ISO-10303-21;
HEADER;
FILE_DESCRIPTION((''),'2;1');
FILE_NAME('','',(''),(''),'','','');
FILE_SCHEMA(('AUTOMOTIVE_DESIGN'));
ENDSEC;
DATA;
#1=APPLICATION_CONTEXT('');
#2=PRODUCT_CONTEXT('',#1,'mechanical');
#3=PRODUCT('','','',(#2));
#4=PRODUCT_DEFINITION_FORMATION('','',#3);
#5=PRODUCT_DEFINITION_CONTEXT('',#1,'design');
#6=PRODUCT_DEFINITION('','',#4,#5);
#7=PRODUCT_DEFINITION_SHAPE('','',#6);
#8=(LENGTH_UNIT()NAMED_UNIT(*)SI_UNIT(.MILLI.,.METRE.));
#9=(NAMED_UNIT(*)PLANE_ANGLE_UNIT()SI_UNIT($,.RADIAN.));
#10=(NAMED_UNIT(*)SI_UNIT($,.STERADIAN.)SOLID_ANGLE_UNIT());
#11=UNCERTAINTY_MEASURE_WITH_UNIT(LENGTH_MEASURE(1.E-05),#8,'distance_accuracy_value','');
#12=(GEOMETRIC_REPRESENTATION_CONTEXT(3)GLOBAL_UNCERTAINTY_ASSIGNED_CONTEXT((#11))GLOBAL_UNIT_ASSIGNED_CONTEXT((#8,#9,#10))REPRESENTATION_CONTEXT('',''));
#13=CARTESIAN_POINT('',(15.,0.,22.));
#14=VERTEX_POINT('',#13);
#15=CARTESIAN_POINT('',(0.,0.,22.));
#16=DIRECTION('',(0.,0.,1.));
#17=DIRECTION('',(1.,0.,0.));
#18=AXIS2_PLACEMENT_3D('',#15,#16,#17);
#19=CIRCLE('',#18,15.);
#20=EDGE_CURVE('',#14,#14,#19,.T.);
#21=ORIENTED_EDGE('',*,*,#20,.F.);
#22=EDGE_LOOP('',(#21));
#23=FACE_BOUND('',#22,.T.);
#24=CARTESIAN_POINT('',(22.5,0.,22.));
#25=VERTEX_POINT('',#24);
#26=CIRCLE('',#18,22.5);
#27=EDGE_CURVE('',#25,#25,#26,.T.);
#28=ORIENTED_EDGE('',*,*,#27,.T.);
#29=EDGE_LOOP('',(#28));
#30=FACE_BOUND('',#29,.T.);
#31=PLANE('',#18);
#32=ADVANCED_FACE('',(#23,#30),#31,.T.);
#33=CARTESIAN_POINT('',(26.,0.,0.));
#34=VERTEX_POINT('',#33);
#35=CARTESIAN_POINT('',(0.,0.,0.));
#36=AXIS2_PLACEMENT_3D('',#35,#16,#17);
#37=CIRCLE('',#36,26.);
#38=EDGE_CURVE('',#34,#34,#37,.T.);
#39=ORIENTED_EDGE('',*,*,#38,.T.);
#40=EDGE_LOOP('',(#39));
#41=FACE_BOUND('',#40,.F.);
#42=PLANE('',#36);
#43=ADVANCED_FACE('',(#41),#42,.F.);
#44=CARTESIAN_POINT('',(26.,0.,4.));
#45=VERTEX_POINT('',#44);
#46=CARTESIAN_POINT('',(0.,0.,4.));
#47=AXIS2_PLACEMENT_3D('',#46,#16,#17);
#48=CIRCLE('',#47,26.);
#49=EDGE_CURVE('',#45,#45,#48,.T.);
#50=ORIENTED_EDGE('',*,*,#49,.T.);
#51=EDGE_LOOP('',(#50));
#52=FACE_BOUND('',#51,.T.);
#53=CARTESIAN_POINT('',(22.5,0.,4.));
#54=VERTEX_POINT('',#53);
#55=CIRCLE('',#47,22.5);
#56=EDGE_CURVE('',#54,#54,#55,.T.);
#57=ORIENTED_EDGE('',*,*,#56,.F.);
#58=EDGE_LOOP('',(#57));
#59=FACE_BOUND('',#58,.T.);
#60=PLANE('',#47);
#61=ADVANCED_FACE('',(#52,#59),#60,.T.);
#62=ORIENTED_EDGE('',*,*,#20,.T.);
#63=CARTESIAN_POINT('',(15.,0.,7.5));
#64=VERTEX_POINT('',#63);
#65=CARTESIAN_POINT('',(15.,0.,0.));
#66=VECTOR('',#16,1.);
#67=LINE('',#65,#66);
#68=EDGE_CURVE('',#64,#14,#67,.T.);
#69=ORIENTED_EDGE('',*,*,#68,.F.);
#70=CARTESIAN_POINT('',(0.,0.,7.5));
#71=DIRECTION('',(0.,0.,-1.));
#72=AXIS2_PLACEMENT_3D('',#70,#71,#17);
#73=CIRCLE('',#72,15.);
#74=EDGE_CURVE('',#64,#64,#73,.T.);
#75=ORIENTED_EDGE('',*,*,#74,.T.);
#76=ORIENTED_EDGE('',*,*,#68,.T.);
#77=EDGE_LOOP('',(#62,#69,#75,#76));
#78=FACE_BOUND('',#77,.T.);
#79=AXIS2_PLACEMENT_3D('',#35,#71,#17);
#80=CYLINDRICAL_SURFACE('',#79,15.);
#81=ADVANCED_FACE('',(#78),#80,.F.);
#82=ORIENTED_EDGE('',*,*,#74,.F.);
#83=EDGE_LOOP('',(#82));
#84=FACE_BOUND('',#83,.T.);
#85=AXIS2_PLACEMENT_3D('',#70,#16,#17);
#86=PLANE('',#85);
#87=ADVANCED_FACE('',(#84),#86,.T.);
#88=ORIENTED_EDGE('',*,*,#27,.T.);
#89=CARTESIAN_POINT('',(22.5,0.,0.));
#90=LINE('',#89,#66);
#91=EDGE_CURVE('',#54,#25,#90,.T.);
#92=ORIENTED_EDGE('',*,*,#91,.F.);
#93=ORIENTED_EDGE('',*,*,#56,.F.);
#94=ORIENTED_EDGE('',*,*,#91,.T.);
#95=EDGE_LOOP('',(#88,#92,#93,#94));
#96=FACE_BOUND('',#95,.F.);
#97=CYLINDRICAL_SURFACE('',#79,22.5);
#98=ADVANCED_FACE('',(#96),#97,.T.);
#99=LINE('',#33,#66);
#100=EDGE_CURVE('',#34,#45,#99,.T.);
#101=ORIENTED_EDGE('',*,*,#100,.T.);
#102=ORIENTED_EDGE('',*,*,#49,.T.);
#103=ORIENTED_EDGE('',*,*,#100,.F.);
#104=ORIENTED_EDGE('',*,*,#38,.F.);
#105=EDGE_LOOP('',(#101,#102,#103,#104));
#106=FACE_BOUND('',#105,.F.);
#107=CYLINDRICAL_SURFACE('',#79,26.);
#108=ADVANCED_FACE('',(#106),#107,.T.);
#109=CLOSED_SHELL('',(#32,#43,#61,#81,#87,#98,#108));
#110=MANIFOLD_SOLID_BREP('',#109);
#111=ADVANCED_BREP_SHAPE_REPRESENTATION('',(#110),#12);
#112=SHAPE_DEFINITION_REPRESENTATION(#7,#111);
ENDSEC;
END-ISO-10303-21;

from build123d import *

# Parameters (mm, degrees)
F0_R     = 26
F0_R_2   = 22.5
F1_DEPTH = 4
F2_DEPTH = 22
F3_T     = -7.5


with BuildPart() as f1:
    # F0 (on Top) → F1 (new body)
    with BuildSketch(Plane.XY):
        Circle(F0_R)
        Circle(F0_R_2, mode=Mode.SUBTRACT)
    extrude(amount=F1_DEPTH)

    # F0 (on Top) → F2 (join)
    with BuildSketch(Plane.XY):
        Circle(F0_R_2)
    extrude(amount=F2_DEPTH)

    # F3
    f3_openings = [f1.faces().sort_by_distance(p)[0] for p in [
        (0, 0, 22),
    ]]
    offset(amount=F3_T, openings=f3_openings)


solid = f1.part
